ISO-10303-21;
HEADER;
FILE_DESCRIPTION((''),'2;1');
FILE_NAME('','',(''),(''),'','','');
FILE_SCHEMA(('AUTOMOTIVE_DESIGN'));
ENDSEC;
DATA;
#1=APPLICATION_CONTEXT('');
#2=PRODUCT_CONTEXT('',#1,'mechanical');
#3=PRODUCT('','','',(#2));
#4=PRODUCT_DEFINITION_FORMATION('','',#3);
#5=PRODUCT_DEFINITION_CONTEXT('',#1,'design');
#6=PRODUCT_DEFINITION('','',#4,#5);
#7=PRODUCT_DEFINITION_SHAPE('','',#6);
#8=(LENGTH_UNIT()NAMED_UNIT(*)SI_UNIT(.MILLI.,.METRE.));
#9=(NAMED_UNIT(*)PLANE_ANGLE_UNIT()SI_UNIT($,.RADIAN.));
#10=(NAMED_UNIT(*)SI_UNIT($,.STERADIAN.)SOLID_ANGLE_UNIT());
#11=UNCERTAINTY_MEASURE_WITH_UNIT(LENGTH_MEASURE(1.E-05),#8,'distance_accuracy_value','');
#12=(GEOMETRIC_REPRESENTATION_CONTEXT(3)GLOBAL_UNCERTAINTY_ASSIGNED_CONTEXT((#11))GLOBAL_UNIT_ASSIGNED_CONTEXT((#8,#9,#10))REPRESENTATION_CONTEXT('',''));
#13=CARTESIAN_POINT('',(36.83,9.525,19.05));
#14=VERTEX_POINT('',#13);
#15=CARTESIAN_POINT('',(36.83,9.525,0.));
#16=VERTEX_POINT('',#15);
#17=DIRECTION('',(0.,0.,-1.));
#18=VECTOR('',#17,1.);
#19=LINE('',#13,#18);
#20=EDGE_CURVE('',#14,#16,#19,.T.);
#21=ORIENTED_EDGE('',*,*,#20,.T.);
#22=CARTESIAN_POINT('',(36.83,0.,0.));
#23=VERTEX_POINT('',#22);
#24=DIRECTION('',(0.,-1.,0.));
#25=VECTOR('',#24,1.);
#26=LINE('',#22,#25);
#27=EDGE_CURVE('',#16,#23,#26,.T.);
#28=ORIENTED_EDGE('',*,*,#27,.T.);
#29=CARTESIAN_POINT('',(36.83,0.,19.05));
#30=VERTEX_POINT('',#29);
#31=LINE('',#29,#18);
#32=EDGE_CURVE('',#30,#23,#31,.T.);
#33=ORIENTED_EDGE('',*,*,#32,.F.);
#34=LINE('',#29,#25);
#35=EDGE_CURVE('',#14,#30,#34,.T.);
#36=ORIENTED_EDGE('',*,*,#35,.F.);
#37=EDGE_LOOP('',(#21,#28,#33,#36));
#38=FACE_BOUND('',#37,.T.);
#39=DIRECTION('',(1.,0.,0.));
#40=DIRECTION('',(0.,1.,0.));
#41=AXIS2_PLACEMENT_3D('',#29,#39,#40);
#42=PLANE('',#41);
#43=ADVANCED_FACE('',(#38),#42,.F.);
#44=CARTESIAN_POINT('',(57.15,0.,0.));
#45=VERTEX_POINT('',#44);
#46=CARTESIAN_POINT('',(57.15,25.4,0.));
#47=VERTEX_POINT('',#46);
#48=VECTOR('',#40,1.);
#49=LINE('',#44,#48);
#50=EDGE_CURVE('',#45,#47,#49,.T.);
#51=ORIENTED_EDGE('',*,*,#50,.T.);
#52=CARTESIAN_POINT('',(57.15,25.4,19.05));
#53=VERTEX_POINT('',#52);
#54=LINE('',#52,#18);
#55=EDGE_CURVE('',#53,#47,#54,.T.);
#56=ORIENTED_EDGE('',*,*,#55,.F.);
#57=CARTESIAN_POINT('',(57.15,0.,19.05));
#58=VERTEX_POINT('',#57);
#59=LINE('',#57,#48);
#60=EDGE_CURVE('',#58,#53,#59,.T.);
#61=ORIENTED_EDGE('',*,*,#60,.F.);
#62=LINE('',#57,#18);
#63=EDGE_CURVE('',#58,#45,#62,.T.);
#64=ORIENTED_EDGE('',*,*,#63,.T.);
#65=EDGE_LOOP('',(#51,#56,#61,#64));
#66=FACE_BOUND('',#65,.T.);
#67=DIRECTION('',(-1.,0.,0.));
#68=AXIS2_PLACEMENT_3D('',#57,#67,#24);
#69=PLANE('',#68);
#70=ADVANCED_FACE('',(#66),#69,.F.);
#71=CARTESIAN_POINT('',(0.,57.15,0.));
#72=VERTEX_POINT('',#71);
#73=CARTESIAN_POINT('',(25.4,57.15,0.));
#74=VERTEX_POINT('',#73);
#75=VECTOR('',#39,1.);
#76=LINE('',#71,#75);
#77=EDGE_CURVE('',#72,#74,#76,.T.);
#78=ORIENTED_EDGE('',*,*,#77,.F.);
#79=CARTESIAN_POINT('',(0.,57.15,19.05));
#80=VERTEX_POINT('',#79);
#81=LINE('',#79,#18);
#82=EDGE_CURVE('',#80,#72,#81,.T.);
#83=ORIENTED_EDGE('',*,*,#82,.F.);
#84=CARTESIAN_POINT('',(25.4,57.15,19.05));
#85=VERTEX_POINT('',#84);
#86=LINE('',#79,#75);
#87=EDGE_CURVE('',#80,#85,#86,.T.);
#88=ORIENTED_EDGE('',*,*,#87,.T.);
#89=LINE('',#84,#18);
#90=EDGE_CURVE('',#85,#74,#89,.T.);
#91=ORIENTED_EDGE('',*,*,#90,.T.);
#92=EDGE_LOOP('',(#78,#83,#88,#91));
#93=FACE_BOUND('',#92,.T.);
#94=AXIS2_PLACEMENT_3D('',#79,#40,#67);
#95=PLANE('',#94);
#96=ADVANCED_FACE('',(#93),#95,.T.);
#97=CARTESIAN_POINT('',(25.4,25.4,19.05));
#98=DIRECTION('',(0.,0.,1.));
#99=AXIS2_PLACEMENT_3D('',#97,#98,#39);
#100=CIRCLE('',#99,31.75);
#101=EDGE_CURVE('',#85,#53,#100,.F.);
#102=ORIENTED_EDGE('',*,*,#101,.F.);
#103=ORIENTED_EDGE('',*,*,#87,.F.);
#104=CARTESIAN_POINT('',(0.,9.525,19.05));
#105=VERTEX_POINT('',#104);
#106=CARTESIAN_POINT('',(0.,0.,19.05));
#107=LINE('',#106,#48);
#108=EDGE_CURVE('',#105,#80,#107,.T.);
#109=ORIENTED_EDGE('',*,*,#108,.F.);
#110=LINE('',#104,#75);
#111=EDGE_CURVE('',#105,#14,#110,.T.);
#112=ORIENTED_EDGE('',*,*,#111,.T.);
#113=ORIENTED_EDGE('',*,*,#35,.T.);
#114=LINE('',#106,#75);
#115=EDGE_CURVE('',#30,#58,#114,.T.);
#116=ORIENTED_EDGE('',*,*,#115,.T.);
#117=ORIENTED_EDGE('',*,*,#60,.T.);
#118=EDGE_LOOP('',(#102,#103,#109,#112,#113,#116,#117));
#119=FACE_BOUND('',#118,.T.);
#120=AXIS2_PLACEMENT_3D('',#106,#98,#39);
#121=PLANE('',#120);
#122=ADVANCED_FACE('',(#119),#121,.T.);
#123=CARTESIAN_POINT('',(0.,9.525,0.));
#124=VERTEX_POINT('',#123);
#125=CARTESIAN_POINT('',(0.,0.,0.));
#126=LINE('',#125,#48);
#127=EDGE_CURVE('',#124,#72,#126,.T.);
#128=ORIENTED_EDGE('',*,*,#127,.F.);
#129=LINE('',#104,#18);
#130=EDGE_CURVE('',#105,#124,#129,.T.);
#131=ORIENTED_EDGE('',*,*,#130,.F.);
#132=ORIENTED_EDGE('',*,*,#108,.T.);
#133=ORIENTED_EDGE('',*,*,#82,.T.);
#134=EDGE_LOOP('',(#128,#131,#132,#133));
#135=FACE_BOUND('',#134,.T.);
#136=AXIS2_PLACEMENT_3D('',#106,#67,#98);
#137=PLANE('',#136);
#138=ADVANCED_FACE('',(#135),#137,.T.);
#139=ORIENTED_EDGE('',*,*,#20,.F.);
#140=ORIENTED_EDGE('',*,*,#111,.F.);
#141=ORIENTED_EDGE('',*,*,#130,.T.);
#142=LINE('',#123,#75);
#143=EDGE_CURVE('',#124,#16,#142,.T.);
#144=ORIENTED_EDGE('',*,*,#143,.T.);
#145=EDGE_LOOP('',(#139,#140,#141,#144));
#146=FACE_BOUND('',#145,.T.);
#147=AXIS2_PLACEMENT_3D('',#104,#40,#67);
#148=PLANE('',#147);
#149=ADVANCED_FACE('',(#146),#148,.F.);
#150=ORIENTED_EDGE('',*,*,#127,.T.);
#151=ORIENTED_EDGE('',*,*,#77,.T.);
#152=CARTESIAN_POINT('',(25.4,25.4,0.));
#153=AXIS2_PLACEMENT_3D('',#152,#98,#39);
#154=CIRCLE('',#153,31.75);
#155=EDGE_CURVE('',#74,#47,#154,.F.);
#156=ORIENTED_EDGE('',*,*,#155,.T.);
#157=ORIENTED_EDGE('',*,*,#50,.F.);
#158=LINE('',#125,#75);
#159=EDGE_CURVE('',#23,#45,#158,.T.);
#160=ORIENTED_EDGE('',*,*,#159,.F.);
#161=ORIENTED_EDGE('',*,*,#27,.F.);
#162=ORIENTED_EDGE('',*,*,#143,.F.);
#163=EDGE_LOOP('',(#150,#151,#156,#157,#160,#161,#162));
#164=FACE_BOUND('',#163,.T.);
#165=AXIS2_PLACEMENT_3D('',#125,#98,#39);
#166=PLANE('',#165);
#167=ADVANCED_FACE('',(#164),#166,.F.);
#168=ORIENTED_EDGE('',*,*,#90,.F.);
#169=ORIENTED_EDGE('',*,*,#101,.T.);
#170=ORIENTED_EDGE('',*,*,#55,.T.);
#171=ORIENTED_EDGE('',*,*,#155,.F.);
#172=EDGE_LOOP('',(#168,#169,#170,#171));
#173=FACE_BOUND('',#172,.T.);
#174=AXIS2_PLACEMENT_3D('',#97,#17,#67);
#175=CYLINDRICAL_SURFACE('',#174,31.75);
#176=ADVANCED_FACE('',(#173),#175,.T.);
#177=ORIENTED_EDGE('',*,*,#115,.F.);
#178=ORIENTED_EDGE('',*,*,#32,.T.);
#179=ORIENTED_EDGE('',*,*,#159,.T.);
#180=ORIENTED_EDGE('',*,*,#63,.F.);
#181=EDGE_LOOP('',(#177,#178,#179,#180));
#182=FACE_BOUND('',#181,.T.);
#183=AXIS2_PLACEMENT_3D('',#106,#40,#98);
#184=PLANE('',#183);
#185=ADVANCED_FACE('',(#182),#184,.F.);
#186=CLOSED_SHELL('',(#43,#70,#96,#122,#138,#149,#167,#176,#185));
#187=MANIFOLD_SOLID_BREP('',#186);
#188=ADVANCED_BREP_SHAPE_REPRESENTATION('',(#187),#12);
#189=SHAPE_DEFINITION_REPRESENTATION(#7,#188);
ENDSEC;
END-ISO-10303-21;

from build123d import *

# Parameters (mm, degrees)
BOSS_EXTRUDE1_DEPTH = 19.05


with BuildPart() as part:
    # Sketch1 → Boss-Extrude1 (new body)
    with BuildSketch(Plane.XY):
        with BuildLine():
            Line((0, 57.15), (0, 9.525))
            Line((0, 9.525), (36.83, 9.525))
            Line((36.83, 9.525), (36.83, 0))
            Line((36.83, 0), (57.15, 0))
            Line((57.15, 0), (57.15, 25.4))
            ThreePointArc((57.15, 25.4), (47.850640303, 47.850640303), (25.4, 57.15))
            Line((25.4, 57.15), (0, 57.15))
        make_face()
    extrude(amount=BOSS_EXTRUDE1_DEPTH)


solid = part.part
